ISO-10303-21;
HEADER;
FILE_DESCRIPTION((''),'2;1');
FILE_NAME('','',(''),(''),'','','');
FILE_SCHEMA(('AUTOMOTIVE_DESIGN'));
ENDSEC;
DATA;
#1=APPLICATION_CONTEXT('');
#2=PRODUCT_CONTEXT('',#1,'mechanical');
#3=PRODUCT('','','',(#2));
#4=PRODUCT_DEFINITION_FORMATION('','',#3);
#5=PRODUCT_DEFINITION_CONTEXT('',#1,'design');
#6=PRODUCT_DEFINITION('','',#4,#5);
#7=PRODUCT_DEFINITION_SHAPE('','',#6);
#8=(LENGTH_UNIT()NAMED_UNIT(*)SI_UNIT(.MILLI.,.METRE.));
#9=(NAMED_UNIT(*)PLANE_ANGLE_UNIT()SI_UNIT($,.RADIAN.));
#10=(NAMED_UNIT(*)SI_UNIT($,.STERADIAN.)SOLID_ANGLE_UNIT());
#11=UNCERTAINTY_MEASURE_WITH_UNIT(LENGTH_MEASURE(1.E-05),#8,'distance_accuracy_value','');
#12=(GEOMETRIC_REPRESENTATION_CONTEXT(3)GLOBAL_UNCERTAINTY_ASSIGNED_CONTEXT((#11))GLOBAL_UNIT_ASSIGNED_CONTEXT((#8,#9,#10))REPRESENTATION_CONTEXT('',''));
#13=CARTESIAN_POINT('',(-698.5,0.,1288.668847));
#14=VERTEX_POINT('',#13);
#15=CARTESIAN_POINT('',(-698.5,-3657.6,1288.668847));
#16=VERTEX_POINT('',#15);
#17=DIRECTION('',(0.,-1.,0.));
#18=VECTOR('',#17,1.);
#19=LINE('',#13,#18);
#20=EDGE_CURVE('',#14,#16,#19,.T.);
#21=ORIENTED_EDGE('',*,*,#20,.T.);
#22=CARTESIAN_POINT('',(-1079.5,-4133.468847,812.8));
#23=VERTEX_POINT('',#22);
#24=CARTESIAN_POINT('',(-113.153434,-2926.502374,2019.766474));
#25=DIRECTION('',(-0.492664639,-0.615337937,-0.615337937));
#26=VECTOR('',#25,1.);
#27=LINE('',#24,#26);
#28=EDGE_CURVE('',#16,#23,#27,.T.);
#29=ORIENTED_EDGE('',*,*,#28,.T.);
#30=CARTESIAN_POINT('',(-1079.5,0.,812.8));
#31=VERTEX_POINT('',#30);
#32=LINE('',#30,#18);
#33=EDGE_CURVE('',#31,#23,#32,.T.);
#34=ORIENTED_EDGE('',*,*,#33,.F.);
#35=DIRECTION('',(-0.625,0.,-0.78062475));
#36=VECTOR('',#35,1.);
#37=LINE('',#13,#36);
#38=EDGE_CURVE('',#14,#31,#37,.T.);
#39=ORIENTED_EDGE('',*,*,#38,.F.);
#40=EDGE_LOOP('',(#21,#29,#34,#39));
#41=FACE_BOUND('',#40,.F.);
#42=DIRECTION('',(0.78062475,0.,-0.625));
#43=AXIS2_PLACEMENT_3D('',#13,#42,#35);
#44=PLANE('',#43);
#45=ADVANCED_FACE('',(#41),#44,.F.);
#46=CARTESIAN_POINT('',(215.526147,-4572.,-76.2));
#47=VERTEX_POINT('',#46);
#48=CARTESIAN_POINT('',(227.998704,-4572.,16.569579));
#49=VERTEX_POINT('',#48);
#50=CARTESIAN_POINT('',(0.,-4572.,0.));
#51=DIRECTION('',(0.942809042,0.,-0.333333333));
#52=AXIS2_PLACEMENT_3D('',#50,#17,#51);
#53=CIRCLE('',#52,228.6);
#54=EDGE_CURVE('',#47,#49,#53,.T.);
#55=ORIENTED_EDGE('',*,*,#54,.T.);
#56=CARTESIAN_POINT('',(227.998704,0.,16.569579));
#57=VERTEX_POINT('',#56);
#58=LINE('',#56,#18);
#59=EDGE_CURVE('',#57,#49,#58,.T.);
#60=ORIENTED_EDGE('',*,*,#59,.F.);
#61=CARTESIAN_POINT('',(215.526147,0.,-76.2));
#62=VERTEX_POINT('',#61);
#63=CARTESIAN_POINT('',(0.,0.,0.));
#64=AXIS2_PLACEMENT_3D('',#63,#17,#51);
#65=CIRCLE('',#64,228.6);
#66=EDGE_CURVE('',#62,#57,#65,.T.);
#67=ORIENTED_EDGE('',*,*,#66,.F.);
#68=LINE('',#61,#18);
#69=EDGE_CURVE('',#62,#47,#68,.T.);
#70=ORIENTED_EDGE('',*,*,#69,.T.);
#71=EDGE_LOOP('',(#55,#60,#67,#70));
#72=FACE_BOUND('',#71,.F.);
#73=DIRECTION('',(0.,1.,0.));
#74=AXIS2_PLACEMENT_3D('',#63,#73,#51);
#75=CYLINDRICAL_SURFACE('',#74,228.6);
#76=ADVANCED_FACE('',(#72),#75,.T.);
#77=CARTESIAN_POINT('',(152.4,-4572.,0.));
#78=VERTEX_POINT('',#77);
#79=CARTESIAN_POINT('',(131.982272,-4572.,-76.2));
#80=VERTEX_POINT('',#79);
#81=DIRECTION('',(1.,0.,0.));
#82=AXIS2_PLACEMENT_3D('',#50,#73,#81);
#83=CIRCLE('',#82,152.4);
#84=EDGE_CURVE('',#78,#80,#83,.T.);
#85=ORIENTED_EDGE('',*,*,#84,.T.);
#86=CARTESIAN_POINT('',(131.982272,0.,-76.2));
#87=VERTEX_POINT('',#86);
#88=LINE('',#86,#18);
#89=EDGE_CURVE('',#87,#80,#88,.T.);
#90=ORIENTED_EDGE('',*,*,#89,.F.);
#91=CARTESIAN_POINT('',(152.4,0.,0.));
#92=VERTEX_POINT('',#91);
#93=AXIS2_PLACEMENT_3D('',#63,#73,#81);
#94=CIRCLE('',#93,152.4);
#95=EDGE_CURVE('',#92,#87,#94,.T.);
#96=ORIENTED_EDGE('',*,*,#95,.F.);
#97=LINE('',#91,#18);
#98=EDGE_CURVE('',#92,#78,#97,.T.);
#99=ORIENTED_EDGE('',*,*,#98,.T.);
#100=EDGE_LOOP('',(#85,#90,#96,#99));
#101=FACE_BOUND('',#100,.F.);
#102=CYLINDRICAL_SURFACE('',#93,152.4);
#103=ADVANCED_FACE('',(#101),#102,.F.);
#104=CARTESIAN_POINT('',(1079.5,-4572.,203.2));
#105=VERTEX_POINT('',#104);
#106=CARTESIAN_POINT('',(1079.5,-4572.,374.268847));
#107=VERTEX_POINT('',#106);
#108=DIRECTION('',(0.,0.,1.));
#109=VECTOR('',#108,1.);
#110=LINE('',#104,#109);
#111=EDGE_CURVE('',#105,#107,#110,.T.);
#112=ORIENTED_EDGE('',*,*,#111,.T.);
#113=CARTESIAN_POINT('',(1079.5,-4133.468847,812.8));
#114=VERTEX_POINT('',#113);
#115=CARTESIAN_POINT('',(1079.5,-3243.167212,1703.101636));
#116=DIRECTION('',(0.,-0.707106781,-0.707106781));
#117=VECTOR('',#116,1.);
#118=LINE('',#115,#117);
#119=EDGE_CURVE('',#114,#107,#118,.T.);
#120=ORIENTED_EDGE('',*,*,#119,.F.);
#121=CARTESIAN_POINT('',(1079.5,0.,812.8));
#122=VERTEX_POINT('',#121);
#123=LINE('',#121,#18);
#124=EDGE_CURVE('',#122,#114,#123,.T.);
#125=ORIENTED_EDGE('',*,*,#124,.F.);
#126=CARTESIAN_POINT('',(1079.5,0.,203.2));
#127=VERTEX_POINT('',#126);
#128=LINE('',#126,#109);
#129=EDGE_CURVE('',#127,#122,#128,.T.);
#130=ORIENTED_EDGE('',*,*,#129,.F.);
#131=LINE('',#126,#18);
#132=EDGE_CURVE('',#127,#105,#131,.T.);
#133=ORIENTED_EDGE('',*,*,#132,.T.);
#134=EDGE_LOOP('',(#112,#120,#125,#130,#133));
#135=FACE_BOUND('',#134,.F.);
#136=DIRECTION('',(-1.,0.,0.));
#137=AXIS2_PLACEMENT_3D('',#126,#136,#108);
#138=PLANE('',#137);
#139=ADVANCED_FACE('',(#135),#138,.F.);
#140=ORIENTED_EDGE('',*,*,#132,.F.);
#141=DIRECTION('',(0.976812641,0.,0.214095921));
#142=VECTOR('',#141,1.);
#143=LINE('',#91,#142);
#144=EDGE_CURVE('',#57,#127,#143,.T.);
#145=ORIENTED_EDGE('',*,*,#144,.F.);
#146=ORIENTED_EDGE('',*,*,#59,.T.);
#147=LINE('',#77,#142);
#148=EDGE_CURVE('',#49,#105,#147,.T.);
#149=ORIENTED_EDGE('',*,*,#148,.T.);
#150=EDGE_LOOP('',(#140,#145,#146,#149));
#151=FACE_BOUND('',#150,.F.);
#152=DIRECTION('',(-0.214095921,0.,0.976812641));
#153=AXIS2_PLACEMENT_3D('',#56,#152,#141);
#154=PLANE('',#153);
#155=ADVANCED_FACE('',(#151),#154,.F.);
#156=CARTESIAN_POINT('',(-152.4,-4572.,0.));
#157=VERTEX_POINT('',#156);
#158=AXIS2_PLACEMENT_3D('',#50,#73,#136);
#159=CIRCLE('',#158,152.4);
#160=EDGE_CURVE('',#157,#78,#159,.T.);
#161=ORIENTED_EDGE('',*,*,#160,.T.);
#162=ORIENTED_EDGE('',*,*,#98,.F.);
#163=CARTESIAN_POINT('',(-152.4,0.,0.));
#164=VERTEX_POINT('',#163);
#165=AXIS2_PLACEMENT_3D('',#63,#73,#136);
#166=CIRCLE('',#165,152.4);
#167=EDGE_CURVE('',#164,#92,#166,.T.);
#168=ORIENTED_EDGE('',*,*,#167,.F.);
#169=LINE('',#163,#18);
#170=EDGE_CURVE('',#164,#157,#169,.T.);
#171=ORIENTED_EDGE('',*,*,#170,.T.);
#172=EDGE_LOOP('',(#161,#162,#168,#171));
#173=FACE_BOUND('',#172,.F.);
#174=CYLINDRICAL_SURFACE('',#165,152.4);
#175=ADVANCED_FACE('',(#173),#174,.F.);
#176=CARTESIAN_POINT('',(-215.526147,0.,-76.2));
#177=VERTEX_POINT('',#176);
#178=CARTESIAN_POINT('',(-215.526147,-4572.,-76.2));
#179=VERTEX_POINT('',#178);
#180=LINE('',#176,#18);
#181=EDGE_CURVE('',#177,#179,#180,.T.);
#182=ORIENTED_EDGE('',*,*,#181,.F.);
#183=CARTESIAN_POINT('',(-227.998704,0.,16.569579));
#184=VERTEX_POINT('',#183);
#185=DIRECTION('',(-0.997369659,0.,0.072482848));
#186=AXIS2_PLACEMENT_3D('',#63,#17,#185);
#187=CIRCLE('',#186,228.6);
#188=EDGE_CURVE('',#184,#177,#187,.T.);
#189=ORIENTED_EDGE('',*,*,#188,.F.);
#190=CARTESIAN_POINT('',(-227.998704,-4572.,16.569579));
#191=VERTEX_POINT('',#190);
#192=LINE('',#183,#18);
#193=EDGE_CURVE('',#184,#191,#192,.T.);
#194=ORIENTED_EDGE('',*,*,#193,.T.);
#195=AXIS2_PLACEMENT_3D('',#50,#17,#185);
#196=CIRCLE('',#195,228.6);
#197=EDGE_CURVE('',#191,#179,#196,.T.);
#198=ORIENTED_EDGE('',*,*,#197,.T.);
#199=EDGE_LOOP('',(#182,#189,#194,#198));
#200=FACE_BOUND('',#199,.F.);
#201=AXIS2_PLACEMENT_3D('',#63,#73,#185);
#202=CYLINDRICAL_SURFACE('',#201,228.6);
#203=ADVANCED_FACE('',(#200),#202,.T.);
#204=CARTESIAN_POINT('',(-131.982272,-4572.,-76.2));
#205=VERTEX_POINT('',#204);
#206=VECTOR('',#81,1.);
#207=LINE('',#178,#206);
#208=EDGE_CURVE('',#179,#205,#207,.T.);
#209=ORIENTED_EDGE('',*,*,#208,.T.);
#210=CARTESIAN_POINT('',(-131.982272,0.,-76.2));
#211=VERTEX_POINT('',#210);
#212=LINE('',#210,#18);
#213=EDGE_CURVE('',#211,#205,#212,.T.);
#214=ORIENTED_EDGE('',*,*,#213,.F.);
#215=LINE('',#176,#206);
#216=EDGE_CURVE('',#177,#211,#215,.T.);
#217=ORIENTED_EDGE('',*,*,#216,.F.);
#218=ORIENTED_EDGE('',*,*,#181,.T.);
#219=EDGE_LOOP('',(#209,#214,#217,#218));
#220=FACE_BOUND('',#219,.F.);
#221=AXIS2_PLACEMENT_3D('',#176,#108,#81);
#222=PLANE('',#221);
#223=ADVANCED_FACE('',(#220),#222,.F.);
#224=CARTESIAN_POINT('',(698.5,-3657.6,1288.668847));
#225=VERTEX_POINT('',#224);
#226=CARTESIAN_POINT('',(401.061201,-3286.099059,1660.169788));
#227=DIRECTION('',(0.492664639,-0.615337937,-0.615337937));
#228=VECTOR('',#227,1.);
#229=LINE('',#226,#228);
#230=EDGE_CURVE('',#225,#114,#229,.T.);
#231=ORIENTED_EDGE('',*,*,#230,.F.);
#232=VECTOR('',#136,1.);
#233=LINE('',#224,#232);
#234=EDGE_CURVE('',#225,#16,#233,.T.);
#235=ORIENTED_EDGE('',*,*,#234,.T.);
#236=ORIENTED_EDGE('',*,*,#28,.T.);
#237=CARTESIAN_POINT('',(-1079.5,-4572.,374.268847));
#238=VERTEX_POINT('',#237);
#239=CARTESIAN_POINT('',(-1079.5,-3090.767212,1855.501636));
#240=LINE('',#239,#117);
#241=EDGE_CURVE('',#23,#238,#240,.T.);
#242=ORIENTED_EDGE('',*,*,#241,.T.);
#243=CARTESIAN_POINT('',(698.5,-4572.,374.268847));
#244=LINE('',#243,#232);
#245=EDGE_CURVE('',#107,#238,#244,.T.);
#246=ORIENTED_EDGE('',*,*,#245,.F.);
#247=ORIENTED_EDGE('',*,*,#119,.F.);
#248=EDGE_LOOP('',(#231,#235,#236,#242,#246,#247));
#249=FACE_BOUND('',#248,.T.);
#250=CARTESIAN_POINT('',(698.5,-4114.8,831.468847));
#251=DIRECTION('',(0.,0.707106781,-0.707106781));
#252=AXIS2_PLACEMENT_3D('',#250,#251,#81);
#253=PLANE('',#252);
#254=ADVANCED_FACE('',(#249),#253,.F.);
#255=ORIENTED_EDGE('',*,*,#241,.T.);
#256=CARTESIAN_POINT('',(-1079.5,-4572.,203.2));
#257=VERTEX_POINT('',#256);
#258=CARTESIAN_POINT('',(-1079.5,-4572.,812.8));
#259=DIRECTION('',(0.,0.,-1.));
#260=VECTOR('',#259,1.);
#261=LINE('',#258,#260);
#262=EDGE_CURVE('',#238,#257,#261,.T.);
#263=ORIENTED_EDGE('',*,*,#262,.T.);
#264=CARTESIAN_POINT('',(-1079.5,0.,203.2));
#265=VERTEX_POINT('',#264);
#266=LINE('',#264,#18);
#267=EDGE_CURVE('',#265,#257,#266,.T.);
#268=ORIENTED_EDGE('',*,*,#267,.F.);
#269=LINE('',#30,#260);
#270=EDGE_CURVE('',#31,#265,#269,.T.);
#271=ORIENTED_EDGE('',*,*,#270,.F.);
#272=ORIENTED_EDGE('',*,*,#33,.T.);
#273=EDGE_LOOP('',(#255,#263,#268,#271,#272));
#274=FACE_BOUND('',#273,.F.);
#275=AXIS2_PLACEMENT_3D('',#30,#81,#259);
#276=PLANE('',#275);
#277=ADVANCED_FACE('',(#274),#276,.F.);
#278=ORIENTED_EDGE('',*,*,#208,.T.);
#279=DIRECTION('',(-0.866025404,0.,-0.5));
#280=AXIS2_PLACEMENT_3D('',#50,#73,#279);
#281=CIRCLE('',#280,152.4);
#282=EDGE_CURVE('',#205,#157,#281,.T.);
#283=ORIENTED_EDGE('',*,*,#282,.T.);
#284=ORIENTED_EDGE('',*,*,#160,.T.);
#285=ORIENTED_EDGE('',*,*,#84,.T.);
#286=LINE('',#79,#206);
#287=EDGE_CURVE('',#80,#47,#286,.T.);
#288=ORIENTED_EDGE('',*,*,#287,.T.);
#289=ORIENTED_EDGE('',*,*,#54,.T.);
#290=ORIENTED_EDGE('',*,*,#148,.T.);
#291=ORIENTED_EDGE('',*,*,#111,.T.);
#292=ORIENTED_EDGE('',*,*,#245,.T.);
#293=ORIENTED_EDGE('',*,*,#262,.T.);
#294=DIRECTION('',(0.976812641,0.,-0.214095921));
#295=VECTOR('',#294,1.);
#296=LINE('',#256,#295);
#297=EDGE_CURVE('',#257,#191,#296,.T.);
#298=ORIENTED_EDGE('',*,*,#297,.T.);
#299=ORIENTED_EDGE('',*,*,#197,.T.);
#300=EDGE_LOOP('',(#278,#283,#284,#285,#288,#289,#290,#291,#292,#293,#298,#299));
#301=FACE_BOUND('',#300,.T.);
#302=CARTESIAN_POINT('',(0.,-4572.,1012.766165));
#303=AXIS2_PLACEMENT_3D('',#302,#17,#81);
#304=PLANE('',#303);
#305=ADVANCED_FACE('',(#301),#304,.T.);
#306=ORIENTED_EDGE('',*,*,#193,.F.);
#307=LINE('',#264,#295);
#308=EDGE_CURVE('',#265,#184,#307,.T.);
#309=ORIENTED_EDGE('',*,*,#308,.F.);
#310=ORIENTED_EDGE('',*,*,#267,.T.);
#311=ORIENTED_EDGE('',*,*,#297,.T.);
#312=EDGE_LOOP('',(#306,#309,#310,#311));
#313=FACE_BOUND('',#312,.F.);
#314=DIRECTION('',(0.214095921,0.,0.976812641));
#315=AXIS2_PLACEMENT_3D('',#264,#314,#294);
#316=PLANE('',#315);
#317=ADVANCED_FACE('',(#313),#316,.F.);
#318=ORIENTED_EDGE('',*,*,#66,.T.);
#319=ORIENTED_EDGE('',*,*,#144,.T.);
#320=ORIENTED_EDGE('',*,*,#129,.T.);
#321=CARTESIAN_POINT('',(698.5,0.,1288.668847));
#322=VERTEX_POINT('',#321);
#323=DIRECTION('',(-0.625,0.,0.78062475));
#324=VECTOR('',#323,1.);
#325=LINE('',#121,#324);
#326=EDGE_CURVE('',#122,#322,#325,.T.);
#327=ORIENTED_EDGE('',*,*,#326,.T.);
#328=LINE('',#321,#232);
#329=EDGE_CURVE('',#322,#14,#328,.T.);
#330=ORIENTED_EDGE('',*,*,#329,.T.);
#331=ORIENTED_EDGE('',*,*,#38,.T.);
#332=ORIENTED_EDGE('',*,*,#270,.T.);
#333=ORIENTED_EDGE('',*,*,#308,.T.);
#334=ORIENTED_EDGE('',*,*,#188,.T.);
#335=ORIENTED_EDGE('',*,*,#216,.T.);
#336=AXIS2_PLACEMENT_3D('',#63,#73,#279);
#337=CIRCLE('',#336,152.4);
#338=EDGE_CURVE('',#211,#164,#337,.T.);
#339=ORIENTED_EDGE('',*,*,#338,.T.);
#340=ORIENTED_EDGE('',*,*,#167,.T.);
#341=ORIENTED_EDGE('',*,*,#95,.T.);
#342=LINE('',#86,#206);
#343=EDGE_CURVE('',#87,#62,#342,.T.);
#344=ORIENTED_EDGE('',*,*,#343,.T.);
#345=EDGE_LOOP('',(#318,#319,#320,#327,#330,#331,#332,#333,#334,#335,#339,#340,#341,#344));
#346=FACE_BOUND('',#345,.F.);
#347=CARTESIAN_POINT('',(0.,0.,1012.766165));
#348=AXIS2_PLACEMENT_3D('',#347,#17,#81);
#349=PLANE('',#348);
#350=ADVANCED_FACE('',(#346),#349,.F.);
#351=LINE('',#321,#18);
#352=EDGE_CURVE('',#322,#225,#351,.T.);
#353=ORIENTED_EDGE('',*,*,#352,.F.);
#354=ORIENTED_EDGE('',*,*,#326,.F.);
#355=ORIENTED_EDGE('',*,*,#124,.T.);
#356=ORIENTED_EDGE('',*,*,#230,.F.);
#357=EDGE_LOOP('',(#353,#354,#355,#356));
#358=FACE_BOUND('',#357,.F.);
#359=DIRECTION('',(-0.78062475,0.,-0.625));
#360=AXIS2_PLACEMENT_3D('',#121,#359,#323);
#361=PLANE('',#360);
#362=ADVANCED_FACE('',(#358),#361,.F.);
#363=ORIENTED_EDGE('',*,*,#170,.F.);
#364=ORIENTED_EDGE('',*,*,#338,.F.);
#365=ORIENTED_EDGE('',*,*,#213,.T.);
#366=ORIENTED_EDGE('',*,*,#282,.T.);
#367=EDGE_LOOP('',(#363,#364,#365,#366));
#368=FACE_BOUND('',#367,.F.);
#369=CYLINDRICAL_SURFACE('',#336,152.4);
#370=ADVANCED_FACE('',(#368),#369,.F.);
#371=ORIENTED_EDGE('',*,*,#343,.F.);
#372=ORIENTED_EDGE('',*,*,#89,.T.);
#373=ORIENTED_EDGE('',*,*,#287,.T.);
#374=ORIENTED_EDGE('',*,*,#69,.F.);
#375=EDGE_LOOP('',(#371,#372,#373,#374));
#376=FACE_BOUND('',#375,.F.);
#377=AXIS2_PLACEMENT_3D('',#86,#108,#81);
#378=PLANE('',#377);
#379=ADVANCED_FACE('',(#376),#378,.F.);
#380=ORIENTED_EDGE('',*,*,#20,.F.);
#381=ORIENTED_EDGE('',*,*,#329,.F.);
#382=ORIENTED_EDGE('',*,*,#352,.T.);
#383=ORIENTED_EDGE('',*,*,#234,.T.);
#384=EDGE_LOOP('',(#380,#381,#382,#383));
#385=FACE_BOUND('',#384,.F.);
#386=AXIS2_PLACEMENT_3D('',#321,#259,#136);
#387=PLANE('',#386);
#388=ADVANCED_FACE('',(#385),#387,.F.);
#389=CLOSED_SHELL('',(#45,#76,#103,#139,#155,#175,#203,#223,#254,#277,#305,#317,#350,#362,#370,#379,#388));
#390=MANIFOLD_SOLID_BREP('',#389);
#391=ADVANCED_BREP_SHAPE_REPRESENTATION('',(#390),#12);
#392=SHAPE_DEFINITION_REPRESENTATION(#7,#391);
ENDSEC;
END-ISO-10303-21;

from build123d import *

# Parameters (mm, degrees)
F0_W     = 304.8
F0_H     = 304.8
F1_DEPTH = 4572
F2_SIZE  = 914.4


with BuildPart() as f1:
    # F0 (on Front) → F1 (new body)
    with BuildSketch(Plane.XZ):
        Polygon((-1079.5, 812.8), (1079.5, 812.8), (698.5, 1288.668847478), (-698.5, 1288.668847478), align=None)
        Polygon((152.4, 508), (152.4, 203.2), (1079.5, 203.2), (1079.5, 812.8), (-1079.5, 812.8), (-1079.5, 203.2), (-152.4, 203.2), (-152.4, 508), align=None)
        with Locations((0, 355.6)):
            Rectangle(F0_W, F0_H)
        Polygon((-227.9987040592, 16.5695789719), (-152.4, 0), (-152.4, 203.2), (-1079.5, 203.2), align=None)
        with BuildLine():
            ThreePointArc((-152.4, 0), (0, 152.4), (152.4, 0))
            Line((152.4, 0), (152.4, 203.2))
            Line((152.4, 203.2), (-152.4, 203.2))
            Line((-152.4, 203.2), (-152.4, 0))
        make_face()
        Polygon((152.4, 203.2), (152.4, 0), (227.9987040592, 16.5695789719), (1079.5, 203.2), align=None)
        with BuildLine():
            ThreePointArc((-131.9822715367, -76.2), (-147.2070959265, -39.4440224736), (-152.4, 0))
            Line((-152.4, 0), (-227.9987040592, 16.5695789719))
            ThreePointArc((-227.9987040592, 16.5695789719), (-226.5615193529, -30.4604325065), (-215.5261469057, -76.2))
            Line((-215.5261469057, -76.2), (-131.9822715367, -76.2))
        make_face()
        with BuildLine():
            Line((227.9987040592, 16.5695789719), (152.4, 0))
            ThreePointArc((152.4, 0), (147.2070959265, -39.4440224736), (131.9822715367, -76.2))
            Line((131.9822715367, -76.2), (215.5261469057, -76.2))
            ThreePointArc((215.5261469057, -76.2), (226.5615193529, -30.4604325065), (227.9987040592, 16.5695789719))
        make_face()
    extrude(amount=F1_DEPTH)

    # F2
    f2_edges = [f1.edges().sort_by_distance(p)[0] for p in [
        (0, -4572, 1288.668847),
    ]]
    chamfer(f2_edges, length=F2_SIZE)


solid = f1.part
